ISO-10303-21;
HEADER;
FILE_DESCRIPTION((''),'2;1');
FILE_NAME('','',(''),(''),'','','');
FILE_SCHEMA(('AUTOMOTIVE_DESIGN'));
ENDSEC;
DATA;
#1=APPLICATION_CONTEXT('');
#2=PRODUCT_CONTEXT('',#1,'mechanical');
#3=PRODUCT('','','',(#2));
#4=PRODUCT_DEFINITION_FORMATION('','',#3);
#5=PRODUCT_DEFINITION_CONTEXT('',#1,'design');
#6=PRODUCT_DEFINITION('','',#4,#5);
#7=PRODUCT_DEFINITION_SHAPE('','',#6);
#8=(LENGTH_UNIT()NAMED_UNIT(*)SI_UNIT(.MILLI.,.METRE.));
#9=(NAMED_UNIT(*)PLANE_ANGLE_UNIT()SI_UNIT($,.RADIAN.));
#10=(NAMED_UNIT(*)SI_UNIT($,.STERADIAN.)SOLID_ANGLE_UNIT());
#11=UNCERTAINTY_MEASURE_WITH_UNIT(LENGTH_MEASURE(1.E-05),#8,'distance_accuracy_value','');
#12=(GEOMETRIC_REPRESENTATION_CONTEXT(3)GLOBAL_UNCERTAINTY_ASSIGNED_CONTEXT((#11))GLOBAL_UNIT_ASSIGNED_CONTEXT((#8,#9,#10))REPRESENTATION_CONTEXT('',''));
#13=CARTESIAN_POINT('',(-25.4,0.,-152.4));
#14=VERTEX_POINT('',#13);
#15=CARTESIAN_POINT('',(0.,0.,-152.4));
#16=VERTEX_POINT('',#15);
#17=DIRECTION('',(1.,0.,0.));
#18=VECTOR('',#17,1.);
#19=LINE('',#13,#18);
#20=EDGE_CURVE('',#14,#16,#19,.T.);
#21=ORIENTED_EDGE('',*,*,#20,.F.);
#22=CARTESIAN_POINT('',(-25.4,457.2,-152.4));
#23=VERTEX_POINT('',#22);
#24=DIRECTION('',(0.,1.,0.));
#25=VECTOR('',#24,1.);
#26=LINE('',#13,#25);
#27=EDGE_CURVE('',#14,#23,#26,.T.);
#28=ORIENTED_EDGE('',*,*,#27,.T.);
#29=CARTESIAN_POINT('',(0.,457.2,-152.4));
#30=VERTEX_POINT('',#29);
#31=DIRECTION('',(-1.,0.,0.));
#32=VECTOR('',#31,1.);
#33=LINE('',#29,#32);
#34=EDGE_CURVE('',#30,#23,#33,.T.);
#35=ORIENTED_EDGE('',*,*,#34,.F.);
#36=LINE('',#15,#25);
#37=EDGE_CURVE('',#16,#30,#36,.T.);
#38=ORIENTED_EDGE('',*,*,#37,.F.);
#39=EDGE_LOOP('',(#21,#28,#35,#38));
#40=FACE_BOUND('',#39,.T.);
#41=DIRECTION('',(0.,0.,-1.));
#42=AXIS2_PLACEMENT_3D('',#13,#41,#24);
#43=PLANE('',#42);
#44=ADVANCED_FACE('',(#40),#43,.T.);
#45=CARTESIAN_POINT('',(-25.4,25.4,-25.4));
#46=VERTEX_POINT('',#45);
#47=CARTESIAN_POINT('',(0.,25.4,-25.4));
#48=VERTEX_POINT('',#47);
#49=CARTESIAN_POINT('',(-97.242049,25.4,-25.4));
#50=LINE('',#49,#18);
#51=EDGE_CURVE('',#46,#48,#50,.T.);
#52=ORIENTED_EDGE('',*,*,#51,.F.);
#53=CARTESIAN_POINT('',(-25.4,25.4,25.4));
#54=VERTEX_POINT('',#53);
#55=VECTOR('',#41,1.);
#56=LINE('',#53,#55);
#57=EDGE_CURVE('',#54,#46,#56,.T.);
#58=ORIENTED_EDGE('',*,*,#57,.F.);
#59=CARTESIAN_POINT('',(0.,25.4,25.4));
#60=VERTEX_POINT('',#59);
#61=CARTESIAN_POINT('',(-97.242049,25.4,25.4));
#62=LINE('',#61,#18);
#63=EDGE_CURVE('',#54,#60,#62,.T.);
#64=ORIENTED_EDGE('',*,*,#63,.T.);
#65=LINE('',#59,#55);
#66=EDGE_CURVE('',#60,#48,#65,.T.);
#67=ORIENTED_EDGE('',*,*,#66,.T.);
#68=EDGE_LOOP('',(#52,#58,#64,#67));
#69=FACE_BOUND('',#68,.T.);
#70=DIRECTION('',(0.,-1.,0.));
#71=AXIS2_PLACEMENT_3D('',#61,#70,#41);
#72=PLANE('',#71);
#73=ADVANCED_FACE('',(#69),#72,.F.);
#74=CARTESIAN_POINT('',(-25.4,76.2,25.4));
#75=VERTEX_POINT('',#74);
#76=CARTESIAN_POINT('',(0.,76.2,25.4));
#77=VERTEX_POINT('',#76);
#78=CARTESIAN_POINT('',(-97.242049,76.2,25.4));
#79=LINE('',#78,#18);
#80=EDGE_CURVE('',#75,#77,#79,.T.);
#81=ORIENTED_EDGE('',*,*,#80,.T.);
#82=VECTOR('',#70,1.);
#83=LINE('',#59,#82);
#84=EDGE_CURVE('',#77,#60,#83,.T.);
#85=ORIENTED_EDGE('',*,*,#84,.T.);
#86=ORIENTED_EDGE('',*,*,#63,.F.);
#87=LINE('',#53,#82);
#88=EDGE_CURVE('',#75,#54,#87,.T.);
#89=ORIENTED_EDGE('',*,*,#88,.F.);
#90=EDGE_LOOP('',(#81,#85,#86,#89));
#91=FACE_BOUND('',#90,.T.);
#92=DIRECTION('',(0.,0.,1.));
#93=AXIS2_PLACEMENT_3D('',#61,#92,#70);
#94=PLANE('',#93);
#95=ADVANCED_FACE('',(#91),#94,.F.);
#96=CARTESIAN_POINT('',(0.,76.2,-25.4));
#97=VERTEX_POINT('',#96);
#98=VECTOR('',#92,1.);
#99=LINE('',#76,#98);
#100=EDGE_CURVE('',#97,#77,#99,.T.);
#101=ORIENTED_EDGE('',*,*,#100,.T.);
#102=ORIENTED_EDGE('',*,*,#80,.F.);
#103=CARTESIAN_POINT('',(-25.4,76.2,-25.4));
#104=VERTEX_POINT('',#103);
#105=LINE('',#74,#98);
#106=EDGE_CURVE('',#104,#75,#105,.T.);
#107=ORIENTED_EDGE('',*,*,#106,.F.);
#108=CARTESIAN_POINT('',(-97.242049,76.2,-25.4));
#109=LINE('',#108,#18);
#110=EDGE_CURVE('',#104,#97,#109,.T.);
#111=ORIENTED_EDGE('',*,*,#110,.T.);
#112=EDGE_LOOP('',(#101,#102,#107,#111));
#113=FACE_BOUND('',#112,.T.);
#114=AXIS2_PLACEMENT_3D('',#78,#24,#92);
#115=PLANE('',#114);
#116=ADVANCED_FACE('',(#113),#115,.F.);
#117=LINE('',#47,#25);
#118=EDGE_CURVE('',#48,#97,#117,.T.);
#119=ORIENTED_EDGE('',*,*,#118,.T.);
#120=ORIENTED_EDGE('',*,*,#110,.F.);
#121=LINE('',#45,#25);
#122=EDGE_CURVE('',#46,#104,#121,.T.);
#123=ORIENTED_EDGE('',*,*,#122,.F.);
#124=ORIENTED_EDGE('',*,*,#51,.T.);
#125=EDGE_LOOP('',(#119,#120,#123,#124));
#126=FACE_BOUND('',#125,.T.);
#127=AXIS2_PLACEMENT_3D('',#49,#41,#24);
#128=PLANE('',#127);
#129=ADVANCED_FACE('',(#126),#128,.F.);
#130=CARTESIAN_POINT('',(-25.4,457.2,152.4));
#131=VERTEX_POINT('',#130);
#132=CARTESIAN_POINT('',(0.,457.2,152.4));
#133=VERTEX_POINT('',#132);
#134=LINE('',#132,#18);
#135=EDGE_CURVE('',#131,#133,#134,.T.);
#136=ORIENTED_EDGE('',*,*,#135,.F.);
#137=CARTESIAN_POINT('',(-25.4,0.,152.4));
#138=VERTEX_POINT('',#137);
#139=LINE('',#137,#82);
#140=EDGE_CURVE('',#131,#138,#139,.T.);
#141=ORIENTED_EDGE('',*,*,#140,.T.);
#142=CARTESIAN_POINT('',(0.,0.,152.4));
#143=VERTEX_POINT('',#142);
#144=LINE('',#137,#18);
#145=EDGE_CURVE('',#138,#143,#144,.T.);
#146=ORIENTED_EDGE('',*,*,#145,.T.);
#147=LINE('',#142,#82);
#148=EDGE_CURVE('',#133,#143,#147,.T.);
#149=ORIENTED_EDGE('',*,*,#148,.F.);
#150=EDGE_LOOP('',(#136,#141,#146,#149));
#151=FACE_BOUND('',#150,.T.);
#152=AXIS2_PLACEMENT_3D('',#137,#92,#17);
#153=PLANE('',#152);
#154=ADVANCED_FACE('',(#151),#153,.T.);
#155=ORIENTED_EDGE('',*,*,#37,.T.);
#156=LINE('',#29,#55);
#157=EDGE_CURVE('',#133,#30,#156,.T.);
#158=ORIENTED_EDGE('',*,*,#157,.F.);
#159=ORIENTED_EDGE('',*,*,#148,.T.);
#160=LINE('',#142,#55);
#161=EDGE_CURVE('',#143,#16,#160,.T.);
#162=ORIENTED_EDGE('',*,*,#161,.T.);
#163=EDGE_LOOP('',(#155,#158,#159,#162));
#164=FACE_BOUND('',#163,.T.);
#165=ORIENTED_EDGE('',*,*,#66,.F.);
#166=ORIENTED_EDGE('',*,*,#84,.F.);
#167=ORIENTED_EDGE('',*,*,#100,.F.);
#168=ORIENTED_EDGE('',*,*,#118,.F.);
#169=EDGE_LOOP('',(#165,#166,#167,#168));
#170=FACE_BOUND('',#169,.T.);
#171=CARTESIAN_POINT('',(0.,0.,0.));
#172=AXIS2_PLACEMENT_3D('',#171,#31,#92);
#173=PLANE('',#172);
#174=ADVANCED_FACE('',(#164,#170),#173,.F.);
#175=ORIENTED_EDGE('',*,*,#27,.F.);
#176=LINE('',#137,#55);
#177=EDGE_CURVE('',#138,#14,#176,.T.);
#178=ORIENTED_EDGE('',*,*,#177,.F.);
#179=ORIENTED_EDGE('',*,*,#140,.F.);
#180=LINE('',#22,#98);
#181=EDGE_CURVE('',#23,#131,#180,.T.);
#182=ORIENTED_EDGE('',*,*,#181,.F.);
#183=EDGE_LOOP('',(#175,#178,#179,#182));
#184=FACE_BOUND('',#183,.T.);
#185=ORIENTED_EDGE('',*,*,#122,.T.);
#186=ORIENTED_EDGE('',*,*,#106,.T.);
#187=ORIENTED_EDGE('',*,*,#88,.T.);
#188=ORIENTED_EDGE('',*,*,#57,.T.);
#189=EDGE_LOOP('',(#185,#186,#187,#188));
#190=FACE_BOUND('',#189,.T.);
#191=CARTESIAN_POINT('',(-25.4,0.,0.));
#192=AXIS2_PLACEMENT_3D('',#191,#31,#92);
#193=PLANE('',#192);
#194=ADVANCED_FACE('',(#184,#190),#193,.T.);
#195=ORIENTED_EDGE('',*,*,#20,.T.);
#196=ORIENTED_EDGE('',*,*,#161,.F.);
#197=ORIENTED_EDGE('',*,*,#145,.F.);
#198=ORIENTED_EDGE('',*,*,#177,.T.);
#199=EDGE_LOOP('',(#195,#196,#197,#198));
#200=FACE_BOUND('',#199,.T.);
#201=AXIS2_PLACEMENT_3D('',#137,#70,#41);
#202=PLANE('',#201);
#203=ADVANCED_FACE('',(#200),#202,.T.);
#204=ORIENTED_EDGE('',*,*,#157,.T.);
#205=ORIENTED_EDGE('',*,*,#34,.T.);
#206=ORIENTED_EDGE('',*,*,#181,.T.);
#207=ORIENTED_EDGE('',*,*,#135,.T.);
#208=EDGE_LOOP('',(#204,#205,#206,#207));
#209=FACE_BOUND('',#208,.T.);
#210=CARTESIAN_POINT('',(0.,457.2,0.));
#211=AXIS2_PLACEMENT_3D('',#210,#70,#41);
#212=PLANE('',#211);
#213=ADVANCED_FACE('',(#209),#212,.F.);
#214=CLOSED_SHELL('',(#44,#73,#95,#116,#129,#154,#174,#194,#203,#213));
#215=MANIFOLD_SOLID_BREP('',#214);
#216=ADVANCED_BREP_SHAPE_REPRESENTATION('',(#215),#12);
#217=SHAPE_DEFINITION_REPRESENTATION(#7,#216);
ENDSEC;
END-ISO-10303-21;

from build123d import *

# Parameters (mm, degrees)
CROQUIS1_W              = 304.8
CROQUIS1_H              = 304.8
SALIENTE_EXTRUIR1_DEPTH = 25.4
CROQUIS3_W              = 50.8
CROQUIS3_H              = 50.8
CORTAR_EXTRUIR2_DEPTH   = 25.4
SKETCH1_W               = 25.4
SKETCH1_H               = 304.8
BOSS_EXTRUDE1_DEPTH     = 152.4


with BuildPart() as part:
    # Croquis1 → Saliente-Extruir1 (new body)
    with BuildSketch(Plane(origin=(0, 0, 0), x_dir=(0, 0, -1), z_dir=(1, 0, 0))):
        with Locations((0, 152.4)):
            Rectangle(CROQUIS1_W, CROQUIS1_H)
    extrude(amount=-SALIENTE_EXTRUIR1_DEPTH)

    # Croquis3 → Cortar-Extruir2 (cut)
    with BuildSketch(Plane(origin=(0, 0, 0), x_dir=(0, 0, -1), z_dir=(1, 0, 0))):
        with Locations((0, 50.8)):
            Rectangle(CROQUIS3_W, CROQUIS3_H)
    extrude(amount=-CORTAR_EXTRUIR2_DEPTH, mode=Mode.SUBTRACT)

    # Sketch1 → Boss-Extrude1 (add)
    with BuildSketch(Plane(origin=(0, 304.8, 0), x_dir=(1, 0, 0), z_dir=(0, 1, 0))):
        with Locations((-12.7, 0)):
            Rectangle(SKETCH1_W, SKETCH1_H)
    extrude(amount=BOSS_EXTRUDE1_DEPTH)


solid = part.part
